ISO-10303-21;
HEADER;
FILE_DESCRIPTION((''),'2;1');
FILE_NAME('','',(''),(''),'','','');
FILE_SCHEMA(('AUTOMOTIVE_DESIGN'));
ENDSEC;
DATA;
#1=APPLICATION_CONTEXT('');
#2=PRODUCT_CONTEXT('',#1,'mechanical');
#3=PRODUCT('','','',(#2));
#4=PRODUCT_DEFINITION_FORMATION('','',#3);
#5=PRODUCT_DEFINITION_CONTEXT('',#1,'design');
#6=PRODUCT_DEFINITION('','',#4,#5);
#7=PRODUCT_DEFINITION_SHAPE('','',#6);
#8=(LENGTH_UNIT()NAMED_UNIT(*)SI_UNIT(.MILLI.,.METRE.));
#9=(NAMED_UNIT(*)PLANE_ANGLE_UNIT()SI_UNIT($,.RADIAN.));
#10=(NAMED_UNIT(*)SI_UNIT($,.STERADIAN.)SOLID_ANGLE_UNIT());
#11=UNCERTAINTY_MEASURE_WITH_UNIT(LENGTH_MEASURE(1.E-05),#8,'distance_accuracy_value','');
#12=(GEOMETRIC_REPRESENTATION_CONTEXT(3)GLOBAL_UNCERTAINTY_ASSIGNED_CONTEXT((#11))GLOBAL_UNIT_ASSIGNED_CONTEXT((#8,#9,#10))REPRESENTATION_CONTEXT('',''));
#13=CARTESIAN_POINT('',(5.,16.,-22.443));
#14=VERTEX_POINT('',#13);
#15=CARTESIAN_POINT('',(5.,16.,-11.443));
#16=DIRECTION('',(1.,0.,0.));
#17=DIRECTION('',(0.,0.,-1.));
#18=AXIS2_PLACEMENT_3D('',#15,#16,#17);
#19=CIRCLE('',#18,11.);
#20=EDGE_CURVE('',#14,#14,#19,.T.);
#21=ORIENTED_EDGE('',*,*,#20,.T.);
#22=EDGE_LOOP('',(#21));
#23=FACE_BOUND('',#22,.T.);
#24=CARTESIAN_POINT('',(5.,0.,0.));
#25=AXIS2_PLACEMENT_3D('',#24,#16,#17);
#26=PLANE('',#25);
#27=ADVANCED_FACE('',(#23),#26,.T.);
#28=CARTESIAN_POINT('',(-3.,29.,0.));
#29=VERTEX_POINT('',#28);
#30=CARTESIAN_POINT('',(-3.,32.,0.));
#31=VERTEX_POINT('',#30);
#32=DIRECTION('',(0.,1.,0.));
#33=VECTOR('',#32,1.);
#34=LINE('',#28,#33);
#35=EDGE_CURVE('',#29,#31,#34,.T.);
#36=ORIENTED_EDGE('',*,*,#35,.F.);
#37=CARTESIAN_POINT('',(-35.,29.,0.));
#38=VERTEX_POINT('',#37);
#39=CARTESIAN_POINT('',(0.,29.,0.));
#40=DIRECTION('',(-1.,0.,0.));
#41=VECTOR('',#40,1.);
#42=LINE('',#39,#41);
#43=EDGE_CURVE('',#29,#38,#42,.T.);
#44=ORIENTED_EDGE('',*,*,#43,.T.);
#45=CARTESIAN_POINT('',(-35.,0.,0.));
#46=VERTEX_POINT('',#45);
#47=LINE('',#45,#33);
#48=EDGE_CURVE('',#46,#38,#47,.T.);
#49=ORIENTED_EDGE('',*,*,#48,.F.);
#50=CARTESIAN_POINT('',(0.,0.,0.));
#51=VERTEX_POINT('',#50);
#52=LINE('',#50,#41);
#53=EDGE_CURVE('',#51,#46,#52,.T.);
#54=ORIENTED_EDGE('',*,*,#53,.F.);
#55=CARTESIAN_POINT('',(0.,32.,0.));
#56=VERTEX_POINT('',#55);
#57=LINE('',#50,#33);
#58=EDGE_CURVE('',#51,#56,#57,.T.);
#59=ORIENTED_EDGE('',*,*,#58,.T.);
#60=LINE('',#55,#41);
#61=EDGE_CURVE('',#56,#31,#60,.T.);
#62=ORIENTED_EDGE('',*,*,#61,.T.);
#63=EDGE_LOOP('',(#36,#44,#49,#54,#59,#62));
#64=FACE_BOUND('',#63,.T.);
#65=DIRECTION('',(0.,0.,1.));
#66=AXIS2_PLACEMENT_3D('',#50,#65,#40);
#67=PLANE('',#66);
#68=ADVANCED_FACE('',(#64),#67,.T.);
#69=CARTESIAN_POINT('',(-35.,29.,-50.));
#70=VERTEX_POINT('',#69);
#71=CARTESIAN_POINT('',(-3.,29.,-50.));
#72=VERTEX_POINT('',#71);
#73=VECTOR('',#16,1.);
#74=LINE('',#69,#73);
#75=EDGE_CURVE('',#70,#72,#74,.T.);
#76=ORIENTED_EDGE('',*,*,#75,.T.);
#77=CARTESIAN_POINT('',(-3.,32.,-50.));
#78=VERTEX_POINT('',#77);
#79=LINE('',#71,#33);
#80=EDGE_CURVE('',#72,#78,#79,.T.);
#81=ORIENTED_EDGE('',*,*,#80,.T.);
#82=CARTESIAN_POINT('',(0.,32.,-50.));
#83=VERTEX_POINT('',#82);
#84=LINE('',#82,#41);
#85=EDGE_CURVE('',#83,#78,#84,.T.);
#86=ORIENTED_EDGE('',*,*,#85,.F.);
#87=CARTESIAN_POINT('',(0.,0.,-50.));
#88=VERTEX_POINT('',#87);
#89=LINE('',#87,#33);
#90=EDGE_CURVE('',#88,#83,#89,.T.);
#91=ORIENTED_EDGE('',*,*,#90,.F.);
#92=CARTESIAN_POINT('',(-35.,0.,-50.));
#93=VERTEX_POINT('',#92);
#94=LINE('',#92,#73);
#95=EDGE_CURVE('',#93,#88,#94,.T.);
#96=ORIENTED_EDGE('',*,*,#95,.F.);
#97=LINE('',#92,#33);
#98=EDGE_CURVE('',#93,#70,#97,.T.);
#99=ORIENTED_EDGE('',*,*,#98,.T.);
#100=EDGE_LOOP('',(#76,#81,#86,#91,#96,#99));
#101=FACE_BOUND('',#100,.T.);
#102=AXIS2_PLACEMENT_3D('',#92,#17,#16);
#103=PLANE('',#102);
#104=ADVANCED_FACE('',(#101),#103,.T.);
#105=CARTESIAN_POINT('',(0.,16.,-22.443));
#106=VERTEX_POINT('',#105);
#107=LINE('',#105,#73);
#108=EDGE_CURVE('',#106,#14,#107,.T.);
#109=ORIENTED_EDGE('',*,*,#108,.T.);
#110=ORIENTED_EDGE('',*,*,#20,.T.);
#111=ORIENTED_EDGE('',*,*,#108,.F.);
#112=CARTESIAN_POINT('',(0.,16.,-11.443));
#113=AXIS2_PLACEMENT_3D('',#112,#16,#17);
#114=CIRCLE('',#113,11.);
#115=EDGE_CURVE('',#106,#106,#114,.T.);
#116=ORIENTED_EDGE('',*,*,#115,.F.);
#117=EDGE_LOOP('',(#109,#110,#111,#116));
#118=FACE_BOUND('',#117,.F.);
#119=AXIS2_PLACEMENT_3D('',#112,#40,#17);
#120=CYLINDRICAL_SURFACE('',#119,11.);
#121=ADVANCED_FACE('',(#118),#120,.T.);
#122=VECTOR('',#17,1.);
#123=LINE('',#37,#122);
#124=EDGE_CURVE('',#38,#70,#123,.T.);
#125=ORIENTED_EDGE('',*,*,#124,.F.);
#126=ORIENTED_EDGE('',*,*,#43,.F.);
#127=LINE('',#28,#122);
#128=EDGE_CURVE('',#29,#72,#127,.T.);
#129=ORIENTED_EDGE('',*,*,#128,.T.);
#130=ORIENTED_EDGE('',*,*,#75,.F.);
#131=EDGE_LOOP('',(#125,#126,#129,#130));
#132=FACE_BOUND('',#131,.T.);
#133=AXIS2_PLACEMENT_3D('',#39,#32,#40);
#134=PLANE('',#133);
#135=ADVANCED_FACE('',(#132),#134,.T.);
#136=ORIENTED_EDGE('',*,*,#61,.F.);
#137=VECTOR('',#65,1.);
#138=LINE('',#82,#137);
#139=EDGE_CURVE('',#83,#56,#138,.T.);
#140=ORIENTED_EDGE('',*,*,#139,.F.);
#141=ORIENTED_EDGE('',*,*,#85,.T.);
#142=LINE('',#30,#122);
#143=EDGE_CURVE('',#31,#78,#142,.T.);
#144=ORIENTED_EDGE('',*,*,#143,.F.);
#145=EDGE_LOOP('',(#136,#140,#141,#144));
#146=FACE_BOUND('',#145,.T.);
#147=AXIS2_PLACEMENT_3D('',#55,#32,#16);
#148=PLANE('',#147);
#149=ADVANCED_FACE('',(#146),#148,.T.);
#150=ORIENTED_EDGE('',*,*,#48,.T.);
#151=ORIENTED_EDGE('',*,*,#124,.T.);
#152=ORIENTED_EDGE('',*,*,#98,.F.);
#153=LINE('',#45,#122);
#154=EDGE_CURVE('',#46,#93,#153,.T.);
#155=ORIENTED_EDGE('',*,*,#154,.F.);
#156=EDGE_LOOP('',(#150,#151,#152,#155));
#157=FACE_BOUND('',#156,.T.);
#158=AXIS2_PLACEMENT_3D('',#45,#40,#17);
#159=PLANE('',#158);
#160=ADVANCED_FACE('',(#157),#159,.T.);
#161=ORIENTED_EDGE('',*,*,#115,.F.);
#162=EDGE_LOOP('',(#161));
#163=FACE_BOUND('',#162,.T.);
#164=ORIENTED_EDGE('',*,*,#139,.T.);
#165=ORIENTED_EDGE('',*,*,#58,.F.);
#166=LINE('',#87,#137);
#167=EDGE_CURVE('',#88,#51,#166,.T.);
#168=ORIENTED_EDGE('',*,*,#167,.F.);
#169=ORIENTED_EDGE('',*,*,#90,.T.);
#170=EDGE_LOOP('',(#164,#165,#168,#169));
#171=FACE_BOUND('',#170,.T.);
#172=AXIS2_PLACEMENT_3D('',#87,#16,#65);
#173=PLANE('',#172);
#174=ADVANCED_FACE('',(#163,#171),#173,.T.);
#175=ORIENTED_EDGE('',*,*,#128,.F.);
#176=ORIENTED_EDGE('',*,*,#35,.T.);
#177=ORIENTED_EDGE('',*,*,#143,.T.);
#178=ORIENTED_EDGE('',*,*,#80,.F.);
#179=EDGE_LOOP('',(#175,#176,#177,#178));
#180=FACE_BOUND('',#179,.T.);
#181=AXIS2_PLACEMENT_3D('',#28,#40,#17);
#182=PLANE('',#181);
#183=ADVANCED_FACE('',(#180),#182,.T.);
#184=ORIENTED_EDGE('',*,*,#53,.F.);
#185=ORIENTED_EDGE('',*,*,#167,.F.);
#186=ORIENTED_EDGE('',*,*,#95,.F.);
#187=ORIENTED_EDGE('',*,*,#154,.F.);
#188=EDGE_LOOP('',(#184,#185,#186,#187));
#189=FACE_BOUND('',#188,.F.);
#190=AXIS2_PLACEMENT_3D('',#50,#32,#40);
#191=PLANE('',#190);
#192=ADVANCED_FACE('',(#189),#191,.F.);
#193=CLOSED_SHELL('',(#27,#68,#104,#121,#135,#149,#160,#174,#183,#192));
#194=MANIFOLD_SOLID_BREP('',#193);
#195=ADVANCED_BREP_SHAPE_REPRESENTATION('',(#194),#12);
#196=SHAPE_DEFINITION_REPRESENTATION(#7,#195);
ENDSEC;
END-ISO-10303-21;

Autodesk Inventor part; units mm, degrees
ref_plane "YZ Plane" through (0, 0, 0) normal (1, 0, 0) x (0, 1, 0)
ref_plane "XZ Plane" through (0, 0, 0) normal (0, 1, 0) x (-1, 0, 0)
ref_plane "XY Plane" through (0, 0, 0) normal (0, 0, 1) x (1, 0, 0)
sketch "Sketch1" plane through (0, 0, 0) normal (0, 1, 0) x (-1, 0, 0)
  line L0 (0, 0) -> (35, 0)
  line L1 (35, 0) -> (35, -50)
  line L2 (35, -50) -> (0, -50)
  line L3 (0, -50) -> (0, 0)
  dimension "d0" = 35
  dimension "d1" = 50
extrude "Extrusion1" add sketch "Sketch1" along normal blind 29
sketch "Sketch2" plane through (0, 29, 0) normal (0, 1, 0) x (1, 0, 0)
  line L0 (0, 50) -> (-35, 50) projected
  line L1 (0, 0) -> (-3, 0)
  line L2 (-3, 0) -> (-3, 50)
  line L3 (-3, 50) -> (0, 50)
  line L4 (0, 50) -> (0, 0)
  dimension "d4" = 3
extrude "Extrusion2" add sketch "Sketch2" along normal blind 3
sketch "Sketch3" plane through (0, 0, 0) normal (1, 0, 0) x (0, 0, -1)
  circle A0 centre (11.443, 16) radius 11
  dimension "d7" = 22
extrude "Extrusion3" add sketch "Sketch3" along normal blind 5
properties part number "motor"
